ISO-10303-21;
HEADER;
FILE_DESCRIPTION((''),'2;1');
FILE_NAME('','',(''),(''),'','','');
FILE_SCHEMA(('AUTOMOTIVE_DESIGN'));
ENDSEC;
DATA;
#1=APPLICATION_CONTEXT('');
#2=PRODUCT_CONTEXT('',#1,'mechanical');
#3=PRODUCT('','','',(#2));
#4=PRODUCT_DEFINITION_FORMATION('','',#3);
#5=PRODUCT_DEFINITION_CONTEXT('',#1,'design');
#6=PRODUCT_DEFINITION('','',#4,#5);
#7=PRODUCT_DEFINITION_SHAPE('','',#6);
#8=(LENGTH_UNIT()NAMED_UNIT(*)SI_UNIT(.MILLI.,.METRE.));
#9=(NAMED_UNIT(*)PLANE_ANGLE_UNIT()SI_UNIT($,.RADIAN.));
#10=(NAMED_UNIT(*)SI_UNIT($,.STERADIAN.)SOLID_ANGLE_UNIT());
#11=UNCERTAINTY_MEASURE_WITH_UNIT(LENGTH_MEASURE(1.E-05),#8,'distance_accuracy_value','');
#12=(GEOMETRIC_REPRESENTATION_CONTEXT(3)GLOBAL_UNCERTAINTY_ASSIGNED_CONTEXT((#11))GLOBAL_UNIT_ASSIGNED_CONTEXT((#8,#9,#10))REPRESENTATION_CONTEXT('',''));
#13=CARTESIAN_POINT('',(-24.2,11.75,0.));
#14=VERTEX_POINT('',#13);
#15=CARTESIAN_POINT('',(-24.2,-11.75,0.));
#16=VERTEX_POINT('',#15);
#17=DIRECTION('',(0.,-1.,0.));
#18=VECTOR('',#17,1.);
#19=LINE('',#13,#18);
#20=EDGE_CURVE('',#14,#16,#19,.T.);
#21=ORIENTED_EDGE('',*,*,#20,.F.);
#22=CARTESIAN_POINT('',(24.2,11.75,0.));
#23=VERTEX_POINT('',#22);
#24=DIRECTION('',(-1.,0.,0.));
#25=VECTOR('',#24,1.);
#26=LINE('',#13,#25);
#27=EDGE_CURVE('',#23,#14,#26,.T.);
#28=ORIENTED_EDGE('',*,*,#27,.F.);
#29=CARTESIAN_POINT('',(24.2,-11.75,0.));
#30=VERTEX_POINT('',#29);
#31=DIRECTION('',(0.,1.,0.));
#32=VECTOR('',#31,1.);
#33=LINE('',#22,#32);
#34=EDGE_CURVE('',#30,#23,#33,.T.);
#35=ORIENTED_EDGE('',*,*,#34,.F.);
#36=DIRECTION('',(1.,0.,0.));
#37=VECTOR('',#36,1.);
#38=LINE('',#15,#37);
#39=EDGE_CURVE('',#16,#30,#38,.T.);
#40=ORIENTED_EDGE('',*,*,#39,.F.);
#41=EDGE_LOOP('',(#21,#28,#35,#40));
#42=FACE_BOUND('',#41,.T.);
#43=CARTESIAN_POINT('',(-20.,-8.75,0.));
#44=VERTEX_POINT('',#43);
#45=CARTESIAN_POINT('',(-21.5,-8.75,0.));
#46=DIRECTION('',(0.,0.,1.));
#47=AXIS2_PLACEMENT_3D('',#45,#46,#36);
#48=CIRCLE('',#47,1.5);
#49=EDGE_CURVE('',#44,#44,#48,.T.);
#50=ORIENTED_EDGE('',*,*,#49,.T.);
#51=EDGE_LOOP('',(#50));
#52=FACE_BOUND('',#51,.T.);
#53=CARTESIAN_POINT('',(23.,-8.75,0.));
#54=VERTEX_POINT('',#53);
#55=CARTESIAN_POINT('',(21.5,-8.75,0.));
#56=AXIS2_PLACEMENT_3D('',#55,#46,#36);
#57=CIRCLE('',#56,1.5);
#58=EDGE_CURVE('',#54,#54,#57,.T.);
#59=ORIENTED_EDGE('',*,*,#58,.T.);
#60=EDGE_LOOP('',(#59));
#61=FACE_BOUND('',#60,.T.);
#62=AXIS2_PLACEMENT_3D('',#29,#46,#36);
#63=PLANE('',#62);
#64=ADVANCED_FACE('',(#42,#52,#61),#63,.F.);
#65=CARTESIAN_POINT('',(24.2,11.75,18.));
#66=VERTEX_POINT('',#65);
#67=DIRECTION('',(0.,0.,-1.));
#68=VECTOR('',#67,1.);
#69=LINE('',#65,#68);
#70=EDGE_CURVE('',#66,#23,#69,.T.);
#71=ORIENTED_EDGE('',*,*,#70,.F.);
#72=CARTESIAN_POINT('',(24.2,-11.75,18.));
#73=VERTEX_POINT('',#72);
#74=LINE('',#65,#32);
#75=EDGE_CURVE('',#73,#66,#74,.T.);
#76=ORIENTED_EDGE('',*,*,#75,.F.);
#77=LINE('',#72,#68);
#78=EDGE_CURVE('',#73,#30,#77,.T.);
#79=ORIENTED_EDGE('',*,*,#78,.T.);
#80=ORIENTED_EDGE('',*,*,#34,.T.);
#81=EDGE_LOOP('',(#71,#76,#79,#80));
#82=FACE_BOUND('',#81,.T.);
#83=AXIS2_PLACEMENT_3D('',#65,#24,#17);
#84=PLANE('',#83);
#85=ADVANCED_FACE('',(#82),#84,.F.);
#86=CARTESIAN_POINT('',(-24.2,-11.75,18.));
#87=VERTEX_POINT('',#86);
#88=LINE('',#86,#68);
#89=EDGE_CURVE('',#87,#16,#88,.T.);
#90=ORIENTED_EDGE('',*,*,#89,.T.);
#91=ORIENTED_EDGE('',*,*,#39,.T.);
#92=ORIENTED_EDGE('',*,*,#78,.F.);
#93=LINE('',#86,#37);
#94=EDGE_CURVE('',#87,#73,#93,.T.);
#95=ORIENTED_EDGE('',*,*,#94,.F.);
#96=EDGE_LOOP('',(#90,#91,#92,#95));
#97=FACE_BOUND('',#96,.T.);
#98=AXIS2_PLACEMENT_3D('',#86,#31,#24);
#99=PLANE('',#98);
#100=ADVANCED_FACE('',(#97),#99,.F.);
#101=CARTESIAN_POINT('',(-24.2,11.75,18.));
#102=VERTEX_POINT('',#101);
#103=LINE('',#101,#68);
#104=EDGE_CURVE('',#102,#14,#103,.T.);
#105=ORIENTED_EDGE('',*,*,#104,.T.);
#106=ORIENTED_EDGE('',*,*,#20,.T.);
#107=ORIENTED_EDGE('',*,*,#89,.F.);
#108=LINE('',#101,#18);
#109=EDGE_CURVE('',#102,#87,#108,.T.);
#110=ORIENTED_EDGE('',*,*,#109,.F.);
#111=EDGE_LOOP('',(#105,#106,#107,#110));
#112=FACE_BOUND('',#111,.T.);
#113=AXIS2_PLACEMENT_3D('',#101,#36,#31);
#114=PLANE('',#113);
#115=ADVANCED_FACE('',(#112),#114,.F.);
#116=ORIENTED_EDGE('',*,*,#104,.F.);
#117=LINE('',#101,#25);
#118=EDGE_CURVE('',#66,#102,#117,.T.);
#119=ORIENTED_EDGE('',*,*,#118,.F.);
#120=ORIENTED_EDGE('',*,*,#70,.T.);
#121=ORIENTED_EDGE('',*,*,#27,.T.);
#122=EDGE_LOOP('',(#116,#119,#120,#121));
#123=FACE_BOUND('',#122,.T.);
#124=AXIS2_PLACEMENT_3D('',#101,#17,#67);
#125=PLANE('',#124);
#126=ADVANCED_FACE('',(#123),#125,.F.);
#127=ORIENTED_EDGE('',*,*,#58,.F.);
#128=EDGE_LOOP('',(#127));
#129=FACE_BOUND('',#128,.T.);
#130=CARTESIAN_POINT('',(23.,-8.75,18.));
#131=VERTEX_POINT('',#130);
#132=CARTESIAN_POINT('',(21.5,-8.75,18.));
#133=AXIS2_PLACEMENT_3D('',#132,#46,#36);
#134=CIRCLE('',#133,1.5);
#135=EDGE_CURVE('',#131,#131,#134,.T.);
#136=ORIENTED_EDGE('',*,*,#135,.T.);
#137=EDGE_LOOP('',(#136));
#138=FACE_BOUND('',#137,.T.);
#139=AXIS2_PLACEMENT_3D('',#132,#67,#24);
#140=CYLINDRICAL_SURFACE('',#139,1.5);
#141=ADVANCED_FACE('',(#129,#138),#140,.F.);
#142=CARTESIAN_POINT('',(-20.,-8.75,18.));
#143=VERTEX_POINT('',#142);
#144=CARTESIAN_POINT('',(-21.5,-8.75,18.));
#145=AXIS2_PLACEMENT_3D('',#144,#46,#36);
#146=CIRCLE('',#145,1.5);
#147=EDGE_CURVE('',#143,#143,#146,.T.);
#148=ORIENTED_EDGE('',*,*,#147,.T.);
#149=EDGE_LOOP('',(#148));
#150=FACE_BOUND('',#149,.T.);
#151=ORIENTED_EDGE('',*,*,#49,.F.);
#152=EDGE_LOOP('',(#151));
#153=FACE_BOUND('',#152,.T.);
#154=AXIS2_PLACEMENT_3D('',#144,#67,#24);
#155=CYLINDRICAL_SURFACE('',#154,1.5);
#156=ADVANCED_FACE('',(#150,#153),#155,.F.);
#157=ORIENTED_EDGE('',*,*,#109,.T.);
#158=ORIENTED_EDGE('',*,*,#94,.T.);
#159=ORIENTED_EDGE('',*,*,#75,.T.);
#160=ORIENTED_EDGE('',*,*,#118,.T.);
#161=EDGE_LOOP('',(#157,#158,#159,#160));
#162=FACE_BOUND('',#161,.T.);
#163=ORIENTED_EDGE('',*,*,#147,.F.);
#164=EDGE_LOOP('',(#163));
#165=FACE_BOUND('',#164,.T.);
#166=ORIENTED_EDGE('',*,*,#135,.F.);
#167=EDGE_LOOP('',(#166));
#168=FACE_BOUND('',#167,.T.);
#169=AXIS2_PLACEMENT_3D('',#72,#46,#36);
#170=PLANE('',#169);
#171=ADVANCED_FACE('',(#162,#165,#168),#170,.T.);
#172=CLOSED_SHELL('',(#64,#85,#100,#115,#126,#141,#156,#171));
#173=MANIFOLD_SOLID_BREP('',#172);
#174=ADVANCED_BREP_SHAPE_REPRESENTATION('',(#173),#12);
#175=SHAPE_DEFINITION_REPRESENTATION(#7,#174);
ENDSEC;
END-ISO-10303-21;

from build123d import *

# Parameters (mm, degrees)
SKETCH_1_W      = 48.4
SKETCH_1_H      = 23.5
SKETCH_1_R      = 1.5
EXTRUDE_1_DEPTH = 18


with BuildPart() as part:
    # 草圖1 → 伸長1 (new body)
    with BuildSketch(Plane.XY):
        Rectangle(SKETCH_1_W, SKETCH_1_H)
        with Locations((-21.5, -8.75)):
            Circle(SKETCH_1_R, mode=Mode.SUBTRACT)
        with Locations((21.5, -8.75)):
            Circle(SKETCH_1_R, mode=Mode.SUBTRACT)
    extrude(amount=EXTRUDE_1_DEPTH)


solid = part.part
